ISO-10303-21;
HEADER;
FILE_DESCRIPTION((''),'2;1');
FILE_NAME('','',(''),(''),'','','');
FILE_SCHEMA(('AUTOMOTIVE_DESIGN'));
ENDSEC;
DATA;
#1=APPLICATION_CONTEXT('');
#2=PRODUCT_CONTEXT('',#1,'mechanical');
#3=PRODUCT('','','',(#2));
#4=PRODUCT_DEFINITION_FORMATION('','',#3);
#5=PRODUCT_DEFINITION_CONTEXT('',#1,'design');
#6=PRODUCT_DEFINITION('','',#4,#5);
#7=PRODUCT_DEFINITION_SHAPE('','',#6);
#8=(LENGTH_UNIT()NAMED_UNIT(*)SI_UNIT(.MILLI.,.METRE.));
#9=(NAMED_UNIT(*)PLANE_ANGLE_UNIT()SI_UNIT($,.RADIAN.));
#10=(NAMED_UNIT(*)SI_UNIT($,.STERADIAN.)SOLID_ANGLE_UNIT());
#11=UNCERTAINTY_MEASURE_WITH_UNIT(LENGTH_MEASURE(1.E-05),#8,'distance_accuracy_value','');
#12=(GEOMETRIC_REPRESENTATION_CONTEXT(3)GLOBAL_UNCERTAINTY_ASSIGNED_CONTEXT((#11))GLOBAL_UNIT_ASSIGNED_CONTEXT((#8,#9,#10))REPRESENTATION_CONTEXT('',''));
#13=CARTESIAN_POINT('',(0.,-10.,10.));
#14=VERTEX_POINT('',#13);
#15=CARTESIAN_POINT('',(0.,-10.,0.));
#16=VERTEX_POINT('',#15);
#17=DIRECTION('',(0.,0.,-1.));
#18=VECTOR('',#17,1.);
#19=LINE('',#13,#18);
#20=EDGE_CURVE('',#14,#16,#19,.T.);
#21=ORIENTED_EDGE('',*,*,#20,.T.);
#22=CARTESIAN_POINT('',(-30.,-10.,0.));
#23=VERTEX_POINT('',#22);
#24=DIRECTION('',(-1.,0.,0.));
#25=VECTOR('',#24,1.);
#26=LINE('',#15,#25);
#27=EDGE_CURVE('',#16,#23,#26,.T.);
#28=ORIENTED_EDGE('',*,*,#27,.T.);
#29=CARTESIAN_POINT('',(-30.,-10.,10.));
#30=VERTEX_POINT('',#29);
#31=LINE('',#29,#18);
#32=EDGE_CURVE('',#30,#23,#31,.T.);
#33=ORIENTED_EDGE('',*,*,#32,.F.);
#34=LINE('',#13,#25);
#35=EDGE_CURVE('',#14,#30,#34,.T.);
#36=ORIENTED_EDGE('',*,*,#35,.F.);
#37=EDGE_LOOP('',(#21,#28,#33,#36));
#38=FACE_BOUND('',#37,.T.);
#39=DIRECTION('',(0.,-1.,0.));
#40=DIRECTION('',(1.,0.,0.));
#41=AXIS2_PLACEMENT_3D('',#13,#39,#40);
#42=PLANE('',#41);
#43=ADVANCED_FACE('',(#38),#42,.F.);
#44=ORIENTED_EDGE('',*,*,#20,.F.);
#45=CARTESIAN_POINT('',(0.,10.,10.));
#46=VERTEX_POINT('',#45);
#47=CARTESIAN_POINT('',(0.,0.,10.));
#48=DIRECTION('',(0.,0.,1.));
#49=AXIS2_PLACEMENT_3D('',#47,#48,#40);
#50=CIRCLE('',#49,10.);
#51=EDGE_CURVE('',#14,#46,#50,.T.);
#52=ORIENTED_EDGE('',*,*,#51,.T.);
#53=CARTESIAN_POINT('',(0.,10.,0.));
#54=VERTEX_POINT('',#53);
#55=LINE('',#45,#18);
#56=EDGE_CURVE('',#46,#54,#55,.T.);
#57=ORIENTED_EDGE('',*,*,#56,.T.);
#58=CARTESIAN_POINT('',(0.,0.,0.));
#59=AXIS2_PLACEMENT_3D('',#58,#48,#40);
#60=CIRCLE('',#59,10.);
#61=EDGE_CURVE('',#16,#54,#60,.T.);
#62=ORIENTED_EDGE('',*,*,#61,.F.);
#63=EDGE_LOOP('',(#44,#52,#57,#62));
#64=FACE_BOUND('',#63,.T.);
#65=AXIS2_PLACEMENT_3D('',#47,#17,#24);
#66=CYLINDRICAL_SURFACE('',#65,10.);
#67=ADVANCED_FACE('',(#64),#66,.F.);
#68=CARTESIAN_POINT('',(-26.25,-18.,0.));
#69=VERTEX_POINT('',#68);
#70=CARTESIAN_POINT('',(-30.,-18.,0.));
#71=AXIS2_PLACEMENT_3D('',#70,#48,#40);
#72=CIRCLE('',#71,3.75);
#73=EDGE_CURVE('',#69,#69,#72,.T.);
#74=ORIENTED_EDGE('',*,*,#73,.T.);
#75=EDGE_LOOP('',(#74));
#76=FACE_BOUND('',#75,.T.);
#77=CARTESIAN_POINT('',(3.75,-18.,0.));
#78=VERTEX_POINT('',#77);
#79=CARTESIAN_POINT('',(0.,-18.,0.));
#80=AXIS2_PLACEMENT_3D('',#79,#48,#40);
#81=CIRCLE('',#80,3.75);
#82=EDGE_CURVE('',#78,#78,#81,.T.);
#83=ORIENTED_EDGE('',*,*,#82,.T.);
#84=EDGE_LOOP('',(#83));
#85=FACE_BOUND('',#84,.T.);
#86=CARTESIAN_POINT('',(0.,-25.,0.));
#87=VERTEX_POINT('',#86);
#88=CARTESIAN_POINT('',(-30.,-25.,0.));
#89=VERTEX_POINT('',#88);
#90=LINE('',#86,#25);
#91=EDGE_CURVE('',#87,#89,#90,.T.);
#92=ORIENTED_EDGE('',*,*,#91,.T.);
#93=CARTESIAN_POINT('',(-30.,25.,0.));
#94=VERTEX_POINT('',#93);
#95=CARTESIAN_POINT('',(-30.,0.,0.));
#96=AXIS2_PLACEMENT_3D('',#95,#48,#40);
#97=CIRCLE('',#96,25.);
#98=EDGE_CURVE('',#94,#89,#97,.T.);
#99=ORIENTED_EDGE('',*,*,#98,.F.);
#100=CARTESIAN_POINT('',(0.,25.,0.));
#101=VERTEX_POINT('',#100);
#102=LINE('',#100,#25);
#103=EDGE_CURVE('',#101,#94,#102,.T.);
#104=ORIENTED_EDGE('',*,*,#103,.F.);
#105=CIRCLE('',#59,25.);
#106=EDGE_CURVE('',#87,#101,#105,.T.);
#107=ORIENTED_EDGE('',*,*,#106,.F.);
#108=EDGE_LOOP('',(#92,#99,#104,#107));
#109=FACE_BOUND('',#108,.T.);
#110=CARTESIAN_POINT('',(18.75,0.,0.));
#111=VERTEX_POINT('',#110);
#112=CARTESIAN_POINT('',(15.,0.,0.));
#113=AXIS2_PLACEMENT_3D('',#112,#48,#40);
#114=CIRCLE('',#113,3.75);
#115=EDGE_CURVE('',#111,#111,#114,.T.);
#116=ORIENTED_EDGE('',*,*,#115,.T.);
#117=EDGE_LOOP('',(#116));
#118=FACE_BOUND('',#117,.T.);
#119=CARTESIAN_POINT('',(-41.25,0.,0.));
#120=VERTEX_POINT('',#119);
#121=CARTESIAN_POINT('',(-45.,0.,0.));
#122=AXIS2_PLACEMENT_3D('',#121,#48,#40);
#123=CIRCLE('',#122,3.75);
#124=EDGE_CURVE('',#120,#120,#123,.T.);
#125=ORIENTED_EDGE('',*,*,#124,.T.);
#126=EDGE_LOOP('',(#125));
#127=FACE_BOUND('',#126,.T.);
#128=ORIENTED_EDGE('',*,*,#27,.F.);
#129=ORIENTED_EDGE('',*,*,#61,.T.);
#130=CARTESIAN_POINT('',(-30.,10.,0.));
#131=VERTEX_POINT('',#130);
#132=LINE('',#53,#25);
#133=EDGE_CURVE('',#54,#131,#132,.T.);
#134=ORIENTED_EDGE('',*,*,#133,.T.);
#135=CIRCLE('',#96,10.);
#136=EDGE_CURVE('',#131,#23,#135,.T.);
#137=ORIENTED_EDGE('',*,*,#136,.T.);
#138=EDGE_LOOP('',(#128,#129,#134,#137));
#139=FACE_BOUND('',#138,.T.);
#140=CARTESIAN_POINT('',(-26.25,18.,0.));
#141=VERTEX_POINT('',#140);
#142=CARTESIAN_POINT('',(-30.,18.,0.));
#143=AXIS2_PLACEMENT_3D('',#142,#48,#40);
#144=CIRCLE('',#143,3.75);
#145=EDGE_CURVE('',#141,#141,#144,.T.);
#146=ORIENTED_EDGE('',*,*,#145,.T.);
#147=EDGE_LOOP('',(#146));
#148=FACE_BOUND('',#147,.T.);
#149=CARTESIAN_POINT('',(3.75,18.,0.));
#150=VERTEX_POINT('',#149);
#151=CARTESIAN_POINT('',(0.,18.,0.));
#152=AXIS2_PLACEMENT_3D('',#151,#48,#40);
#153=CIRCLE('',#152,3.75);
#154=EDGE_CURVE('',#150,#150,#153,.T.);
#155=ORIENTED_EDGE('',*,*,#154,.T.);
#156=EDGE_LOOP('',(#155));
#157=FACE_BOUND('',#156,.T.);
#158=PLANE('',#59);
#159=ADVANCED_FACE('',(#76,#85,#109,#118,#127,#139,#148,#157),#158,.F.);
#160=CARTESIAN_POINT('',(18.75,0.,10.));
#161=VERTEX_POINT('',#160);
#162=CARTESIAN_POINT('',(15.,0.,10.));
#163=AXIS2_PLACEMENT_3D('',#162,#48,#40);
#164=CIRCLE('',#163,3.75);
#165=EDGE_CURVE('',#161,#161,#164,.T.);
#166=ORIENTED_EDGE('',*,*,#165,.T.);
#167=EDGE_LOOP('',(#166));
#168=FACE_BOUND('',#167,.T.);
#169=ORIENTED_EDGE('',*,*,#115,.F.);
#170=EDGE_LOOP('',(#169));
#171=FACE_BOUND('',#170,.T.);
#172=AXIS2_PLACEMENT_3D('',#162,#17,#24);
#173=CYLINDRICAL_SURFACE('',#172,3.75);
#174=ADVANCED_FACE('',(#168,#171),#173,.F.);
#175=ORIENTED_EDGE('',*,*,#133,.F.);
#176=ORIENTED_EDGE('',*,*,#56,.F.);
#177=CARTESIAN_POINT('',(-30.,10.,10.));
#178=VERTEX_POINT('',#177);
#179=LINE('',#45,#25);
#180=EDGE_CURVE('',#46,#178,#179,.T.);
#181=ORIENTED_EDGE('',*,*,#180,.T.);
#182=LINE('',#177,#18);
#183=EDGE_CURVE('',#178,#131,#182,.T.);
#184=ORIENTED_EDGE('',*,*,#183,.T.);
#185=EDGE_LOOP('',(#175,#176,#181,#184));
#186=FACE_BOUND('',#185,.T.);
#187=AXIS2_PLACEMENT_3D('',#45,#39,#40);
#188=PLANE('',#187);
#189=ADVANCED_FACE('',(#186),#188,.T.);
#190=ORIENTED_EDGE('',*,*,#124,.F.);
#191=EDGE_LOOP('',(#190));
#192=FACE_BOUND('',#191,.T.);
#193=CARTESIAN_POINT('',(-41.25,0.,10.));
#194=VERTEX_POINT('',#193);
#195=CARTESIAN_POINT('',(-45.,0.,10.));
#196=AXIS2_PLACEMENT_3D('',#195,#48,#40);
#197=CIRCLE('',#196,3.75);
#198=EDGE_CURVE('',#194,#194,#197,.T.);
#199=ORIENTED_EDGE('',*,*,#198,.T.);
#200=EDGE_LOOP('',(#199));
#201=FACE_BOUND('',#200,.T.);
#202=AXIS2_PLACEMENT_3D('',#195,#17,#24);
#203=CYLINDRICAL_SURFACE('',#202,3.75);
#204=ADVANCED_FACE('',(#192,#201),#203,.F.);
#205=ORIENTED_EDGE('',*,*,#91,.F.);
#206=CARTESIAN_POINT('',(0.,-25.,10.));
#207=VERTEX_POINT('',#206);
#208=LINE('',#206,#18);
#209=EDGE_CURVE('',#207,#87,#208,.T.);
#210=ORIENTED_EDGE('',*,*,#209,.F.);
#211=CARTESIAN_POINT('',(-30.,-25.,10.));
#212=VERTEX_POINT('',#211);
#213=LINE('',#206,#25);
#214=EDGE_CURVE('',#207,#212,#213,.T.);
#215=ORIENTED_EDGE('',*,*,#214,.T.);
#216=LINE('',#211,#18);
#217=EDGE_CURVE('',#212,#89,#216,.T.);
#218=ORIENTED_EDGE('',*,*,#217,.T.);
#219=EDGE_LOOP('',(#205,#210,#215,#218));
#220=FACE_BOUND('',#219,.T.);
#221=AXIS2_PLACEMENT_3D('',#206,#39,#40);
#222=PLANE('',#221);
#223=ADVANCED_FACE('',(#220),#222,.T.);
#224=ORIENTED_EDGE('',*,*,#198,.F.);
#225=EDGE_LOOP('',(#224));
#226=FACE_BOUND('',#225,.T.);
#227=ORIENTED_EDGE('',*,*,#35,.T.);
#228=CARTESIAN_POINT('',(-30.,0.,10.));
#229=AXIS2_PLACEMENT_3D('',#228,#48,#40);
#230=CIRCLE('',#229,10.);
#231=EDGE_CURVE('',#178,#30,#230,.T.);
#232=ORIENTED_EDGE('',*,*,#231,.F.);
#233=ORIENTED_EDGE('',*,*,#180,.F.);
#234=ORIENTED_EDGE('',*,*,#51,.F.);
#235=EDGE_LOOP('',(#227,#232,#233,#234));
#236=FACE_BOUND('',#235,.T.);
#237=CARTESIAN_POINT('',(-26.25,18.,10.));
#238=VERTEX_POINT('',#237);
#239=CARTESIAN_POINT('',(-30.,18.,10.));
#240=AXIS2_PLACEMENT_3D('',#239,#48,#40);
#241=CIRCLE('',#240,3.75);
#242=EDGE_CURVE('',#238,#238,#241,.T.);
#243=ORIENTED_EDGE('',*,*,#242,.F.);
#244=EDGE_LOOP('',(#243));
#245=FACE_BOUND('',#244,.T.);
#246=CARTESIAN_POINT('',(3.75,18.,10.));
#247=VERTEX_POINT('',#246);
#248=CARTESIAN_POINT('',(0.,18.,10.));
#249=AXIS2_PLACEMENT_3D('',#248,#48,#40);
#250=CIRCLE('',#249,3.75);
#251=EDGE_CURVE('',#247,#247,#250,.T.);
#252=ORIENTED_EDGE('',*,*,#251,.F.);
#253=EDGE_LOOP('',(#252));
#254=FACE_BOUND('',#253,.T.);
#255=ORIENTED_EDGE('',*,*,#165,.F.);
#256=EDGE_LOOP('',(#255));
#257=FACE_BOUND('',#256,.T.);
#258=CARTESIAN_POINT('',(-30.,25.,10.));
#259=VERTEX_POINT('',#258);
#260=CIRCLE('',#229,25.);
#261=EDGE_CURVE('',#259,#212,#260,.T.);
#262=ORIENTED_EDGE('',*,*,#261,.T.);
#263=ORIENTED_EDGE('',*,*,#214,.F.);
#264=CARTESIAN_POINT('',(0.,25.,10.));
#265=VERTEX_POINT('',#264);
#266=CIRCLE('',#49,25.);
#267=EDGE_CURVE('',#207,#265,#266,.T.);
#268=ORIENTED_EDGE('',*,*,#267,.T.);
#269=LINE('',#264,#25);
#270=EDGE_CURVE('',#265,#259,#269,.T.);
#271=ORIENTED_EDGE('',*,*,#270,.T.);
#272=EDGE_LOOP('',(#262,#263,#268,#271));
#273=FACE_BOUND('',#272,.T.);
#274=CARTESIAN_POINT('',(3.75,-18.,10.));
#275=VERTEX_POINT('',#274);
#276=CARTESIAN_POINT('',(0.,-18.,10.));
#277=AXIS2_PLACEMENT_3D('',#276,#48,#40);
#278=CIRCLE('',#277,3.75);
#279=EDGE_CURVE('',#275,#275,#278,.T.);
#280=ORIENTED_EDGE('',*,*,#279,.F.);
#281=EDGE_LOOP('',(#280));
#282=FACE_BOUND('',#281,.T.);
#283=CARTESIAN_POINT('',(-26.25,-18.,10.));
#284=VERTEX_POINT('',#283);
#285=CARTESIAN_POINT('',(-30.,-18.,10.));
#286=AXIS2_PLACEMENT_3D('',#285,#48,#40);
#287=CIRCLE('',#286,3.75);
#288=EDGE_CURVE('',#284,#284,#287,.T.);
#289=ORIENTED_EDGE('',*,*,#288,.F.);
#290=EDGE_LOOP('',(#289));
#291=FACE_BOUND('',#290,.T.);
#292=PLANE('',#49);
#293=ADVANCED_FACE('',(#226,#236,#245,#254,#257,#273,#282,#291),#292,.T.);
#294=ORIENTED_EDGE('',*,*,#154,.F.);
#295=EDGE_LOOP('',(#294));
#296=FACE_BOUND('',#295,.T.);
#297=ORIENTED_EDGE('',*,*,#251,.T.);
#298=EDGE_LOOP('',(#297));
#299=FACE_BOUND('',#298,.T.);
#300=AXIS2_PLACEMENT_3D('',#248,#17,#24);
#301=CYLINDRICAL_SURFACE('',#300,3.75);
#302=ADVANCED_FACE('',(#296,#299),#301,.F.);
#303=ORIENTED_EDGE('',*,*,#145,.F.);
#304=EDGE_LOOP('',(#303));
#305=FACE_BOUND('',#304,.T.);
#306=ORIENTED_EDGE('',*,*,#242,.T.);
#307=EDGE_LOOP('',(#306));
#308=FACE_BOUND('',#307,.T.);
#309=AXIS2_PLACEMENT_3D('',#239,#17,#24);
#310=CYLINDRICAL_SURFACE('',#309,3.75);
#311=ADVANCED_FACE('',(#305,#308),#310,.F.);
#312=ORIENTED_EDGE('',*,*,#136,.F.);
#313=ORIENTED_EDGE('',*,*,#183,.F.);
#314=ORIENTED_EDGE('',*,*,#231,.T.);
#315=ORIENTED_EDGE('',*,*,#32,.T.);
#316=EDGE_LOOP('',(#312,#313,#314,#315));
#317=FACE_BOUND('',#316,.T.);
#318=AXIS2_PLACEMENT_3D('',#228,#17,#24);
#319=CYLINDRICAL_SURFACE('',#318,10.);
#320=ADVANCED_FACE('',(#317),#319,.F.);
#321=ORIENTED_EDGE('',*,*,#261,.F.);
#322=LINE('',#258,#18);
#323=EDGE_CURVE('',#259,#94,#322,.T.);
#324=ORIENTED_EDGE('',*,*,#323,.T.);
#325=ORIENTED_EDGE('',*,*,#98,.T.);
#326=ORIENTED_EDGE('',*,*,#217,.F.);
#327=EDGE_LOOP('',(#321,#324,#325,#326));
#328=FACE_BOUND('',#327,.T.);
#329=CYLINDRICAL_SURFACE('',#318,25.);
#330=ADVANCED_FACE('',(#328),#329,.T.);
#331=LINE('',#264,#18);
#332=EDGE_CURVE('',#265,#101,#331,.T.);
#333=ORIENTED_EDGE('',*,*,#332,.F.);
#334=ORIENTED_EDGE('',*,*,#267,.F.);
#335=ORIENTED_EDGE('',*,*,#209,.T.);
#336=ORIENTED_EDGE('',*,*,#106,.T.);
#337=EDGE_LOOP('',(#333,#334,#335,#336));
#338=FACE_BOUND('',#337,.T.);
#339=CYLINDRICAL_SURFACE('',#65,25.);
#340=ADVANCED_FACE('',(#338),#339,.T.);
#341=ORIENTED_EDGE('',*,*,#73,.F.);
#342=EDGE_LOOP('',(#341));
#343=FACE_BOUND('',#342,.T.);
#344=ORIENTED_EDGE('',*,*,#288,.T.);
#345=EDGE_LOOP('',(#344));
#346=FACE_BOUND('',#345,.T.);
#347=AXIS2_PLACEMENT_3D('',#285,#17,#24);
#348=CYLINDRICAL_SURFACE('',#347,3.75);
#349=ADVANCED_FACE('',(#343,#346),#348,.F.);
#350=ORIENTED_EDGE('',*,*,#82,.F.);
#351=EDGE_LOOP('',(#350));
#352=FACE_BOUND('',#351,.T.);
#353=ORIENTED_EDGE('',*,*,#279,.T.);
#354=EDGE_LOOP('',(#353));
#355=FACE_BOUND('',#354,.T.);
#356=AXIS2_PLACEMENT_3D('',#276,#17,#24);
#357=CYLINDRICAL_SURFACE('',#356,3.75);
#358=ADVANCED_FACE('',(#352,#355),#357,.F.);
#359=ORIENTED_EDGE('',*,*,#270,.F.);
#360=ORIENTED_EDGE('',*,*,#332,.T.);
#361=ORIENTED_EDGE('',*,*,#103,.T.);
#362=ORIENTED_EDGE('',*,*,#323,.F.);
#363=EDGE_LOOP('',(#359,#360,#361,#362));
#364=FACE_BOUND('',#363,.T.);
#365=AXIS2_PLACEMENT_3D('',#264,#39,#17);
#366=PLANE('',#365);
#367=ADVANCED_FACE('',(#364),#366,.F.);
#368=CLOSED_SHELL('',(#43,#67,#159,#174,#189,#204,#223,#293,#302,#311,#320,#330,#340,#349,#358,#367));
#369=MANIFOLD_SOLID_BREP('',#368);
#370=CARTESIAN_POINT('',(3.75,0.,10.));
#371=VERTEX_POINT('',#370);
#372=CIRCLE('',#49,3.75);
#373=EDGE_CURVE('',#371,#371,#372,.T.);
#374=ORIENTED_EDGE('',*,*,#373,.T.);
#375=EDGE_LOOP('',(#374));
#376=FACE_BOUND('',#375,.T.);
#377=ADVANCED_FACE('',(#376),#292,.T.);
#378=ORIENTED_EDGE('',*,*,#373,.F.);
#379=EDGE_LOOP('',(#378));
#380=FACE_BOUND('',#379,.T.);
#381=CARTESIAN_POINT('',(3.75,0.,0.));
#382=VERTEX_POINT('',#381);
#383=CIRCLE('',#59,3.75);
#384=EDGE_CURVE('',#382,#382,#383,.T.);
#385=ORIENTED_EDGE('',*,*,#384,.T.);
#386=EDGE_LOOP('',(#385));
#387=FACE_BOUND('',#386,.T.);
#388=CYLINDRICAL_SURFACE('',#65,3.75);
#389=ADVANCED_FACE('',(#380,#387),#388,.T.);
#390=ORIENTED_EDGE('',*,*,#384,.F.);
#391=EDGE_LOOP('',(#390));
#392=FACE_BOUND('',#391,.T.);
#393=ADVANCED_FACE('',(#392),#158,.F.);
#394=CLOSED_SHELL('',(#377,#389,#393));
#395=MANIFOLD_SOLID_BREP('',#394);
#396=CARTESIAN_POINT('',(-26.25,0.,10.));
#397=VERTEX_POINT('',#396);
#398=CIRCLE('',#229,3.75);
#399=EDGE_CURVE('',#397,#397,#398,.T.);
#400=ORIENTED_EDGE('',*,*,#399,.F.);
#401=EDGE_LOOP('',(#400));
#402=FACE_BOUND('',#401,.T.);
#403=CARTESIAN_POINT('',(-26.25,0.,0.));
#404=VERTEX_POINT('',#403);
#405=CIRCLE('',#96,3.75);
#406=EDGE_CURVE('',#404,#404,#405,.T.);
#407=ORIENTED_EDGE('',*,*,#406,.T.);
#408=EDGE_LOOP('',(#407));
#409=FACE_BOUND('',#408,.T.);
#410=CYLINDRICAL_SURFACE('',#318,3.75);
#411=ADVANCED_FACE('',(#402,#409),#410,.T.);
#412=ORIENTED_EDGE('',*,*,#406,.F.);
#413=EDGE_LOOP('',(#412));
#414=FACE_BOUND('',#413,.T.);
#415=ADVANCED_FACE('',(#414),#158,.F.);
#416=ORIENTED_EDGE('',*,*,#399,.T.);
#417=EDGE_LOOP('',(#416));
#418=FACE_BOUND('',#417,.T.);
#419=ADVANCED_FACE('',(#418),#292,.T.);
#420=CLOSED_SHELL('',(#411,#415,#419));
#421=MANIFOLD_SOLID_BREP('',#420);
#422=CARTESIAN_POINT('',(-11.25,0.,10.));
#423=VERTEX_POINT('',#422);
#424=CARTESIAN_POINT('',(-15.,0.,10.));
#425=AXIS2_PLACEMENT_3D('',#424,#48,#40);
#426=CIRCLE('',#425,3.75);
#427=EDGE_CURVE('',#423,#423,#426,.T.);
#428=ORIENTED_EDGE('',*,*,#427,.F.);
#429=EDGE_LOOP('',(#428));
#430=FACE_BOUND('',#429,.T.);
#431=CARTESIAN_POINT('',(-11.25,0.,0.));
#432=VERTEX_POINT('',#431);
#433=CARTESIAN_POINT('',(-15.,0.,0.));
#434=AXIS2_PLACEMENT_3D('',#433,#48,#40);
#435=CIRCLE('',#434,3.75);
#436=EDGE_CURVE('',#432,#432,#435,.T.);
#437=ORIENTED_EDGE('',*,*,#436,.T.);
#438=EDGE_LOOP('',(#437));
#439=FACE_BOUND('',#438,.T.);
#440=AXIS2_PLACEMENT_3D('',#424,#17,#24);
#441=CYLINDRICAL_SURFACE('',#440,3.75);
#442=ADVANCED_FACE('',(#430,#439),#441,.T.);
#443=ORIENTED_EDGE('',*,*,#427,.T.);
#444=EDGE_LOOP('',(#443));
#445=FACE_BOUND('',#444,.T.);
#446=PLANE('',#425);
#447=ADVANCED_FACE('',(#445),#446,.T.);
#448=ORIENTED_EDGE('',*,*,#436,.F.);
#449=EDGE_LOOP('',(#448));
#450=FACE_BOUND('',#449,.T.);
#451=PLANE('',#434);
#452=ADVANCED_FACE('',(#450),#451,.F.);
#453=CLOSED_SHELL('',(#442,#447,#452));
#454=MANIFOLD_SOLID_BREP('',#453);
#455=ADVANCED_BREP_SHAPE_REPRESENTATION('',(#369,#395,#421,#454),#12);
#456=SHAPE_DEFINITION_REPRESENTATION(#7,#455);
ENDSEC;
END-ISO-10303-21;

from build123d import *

# Parameters (mm, degrees)
CROQUIS1_R                = 3.75
SALIENTE_EXTRUIR1_DEPTH   = 10
SALIENTE_EXTRUIR1_2_DEPTH = 10
SALIENTE_EXTRUIR1_3_DEPTH = 10
SALIENTE_EXTRUIR1_4_DEPTH = 10


with BuildPart() as part:
    # Croquis1 → Saliente-Extruir1 (new body)
    with BuildSketch(Plane.XY):
        with BuildLine():
            Line((0, -25), (-30, -25))
            ThreePointArc((-30, -25), (-55, 0), (-30, 25))
            Line((-30, 25), (0, 25))
            ThreePointArc((0, 25), (25, 0), (0, -25))
        make_face()
        with Locations((0, -18)):
            Circle(CROQUIS1_R, mode=Mode.SUBTRACT)
        with Locations((-30, -18)):
            Circle(CROQUIS1_R, mode=Mode.SUBTRACT)
        with Locations((0, 18)):
            Circle(CROQUIS1_R, mode=Mode.SUBTRACT)
        with Locations((-30, 18)):
            Circle(CROQUIS1_R, mode=Mode.SUBTRACT)
        with Locations((15, 0)):
            Circle(CROQUIS1_R, mode=Mode.SUBTRACT)
        with Locations((-45, 0)):
            Circle(CROQUIS1_R, mode=Mode.SUBTRACT)
        with BuildLine():
            ThreePointArc((-30, 10), (-40, 0), (-30, -10))
            Line((-30, -10), (0, -10))
            ThreePointArc((0, -10), (10, 0), (0, 10))
            Line((0, 10), (-30, 10))
        make_face(mode=Mode.SUBTRACT)
    extrude(amount=SALIENTE_EXTRUIR1_DEPTH)


with BuildPart() as body_2:
    # Croquis1 → Saliente-Extruir1 2 (new body)
    with BuildSketch(Plane.XY):
        with Locations((-30, 0)):
            Circle(CROQUIS1_R)
    extrude(amount=SALIENTE_EXTRUIR1_2_DEPTH)


with BuildPart() as body_3:
    # Croquis1 → Saliente-Extruir1 3 (new body)
    with BuildSketch(Plane.XY):
        Circle(CROQUIS1_R)
    extrude(amount=SALIENTE_EXTRUIR1_3_DEPTH)


with BuildPart() as body_4:
    # Croquis1 → Saliente-Extruir1 4 (new body)
    with BuildSketch(Plane.XY):
        with Locations((-15, 0)):
            Circle(CROQUIS1_R)
    extrude(amount=SALIENTE_EXTRUIR1_4_DEPTH)


solid = Compound([part.part, body_2.part, body_3.part, body_4.part])
